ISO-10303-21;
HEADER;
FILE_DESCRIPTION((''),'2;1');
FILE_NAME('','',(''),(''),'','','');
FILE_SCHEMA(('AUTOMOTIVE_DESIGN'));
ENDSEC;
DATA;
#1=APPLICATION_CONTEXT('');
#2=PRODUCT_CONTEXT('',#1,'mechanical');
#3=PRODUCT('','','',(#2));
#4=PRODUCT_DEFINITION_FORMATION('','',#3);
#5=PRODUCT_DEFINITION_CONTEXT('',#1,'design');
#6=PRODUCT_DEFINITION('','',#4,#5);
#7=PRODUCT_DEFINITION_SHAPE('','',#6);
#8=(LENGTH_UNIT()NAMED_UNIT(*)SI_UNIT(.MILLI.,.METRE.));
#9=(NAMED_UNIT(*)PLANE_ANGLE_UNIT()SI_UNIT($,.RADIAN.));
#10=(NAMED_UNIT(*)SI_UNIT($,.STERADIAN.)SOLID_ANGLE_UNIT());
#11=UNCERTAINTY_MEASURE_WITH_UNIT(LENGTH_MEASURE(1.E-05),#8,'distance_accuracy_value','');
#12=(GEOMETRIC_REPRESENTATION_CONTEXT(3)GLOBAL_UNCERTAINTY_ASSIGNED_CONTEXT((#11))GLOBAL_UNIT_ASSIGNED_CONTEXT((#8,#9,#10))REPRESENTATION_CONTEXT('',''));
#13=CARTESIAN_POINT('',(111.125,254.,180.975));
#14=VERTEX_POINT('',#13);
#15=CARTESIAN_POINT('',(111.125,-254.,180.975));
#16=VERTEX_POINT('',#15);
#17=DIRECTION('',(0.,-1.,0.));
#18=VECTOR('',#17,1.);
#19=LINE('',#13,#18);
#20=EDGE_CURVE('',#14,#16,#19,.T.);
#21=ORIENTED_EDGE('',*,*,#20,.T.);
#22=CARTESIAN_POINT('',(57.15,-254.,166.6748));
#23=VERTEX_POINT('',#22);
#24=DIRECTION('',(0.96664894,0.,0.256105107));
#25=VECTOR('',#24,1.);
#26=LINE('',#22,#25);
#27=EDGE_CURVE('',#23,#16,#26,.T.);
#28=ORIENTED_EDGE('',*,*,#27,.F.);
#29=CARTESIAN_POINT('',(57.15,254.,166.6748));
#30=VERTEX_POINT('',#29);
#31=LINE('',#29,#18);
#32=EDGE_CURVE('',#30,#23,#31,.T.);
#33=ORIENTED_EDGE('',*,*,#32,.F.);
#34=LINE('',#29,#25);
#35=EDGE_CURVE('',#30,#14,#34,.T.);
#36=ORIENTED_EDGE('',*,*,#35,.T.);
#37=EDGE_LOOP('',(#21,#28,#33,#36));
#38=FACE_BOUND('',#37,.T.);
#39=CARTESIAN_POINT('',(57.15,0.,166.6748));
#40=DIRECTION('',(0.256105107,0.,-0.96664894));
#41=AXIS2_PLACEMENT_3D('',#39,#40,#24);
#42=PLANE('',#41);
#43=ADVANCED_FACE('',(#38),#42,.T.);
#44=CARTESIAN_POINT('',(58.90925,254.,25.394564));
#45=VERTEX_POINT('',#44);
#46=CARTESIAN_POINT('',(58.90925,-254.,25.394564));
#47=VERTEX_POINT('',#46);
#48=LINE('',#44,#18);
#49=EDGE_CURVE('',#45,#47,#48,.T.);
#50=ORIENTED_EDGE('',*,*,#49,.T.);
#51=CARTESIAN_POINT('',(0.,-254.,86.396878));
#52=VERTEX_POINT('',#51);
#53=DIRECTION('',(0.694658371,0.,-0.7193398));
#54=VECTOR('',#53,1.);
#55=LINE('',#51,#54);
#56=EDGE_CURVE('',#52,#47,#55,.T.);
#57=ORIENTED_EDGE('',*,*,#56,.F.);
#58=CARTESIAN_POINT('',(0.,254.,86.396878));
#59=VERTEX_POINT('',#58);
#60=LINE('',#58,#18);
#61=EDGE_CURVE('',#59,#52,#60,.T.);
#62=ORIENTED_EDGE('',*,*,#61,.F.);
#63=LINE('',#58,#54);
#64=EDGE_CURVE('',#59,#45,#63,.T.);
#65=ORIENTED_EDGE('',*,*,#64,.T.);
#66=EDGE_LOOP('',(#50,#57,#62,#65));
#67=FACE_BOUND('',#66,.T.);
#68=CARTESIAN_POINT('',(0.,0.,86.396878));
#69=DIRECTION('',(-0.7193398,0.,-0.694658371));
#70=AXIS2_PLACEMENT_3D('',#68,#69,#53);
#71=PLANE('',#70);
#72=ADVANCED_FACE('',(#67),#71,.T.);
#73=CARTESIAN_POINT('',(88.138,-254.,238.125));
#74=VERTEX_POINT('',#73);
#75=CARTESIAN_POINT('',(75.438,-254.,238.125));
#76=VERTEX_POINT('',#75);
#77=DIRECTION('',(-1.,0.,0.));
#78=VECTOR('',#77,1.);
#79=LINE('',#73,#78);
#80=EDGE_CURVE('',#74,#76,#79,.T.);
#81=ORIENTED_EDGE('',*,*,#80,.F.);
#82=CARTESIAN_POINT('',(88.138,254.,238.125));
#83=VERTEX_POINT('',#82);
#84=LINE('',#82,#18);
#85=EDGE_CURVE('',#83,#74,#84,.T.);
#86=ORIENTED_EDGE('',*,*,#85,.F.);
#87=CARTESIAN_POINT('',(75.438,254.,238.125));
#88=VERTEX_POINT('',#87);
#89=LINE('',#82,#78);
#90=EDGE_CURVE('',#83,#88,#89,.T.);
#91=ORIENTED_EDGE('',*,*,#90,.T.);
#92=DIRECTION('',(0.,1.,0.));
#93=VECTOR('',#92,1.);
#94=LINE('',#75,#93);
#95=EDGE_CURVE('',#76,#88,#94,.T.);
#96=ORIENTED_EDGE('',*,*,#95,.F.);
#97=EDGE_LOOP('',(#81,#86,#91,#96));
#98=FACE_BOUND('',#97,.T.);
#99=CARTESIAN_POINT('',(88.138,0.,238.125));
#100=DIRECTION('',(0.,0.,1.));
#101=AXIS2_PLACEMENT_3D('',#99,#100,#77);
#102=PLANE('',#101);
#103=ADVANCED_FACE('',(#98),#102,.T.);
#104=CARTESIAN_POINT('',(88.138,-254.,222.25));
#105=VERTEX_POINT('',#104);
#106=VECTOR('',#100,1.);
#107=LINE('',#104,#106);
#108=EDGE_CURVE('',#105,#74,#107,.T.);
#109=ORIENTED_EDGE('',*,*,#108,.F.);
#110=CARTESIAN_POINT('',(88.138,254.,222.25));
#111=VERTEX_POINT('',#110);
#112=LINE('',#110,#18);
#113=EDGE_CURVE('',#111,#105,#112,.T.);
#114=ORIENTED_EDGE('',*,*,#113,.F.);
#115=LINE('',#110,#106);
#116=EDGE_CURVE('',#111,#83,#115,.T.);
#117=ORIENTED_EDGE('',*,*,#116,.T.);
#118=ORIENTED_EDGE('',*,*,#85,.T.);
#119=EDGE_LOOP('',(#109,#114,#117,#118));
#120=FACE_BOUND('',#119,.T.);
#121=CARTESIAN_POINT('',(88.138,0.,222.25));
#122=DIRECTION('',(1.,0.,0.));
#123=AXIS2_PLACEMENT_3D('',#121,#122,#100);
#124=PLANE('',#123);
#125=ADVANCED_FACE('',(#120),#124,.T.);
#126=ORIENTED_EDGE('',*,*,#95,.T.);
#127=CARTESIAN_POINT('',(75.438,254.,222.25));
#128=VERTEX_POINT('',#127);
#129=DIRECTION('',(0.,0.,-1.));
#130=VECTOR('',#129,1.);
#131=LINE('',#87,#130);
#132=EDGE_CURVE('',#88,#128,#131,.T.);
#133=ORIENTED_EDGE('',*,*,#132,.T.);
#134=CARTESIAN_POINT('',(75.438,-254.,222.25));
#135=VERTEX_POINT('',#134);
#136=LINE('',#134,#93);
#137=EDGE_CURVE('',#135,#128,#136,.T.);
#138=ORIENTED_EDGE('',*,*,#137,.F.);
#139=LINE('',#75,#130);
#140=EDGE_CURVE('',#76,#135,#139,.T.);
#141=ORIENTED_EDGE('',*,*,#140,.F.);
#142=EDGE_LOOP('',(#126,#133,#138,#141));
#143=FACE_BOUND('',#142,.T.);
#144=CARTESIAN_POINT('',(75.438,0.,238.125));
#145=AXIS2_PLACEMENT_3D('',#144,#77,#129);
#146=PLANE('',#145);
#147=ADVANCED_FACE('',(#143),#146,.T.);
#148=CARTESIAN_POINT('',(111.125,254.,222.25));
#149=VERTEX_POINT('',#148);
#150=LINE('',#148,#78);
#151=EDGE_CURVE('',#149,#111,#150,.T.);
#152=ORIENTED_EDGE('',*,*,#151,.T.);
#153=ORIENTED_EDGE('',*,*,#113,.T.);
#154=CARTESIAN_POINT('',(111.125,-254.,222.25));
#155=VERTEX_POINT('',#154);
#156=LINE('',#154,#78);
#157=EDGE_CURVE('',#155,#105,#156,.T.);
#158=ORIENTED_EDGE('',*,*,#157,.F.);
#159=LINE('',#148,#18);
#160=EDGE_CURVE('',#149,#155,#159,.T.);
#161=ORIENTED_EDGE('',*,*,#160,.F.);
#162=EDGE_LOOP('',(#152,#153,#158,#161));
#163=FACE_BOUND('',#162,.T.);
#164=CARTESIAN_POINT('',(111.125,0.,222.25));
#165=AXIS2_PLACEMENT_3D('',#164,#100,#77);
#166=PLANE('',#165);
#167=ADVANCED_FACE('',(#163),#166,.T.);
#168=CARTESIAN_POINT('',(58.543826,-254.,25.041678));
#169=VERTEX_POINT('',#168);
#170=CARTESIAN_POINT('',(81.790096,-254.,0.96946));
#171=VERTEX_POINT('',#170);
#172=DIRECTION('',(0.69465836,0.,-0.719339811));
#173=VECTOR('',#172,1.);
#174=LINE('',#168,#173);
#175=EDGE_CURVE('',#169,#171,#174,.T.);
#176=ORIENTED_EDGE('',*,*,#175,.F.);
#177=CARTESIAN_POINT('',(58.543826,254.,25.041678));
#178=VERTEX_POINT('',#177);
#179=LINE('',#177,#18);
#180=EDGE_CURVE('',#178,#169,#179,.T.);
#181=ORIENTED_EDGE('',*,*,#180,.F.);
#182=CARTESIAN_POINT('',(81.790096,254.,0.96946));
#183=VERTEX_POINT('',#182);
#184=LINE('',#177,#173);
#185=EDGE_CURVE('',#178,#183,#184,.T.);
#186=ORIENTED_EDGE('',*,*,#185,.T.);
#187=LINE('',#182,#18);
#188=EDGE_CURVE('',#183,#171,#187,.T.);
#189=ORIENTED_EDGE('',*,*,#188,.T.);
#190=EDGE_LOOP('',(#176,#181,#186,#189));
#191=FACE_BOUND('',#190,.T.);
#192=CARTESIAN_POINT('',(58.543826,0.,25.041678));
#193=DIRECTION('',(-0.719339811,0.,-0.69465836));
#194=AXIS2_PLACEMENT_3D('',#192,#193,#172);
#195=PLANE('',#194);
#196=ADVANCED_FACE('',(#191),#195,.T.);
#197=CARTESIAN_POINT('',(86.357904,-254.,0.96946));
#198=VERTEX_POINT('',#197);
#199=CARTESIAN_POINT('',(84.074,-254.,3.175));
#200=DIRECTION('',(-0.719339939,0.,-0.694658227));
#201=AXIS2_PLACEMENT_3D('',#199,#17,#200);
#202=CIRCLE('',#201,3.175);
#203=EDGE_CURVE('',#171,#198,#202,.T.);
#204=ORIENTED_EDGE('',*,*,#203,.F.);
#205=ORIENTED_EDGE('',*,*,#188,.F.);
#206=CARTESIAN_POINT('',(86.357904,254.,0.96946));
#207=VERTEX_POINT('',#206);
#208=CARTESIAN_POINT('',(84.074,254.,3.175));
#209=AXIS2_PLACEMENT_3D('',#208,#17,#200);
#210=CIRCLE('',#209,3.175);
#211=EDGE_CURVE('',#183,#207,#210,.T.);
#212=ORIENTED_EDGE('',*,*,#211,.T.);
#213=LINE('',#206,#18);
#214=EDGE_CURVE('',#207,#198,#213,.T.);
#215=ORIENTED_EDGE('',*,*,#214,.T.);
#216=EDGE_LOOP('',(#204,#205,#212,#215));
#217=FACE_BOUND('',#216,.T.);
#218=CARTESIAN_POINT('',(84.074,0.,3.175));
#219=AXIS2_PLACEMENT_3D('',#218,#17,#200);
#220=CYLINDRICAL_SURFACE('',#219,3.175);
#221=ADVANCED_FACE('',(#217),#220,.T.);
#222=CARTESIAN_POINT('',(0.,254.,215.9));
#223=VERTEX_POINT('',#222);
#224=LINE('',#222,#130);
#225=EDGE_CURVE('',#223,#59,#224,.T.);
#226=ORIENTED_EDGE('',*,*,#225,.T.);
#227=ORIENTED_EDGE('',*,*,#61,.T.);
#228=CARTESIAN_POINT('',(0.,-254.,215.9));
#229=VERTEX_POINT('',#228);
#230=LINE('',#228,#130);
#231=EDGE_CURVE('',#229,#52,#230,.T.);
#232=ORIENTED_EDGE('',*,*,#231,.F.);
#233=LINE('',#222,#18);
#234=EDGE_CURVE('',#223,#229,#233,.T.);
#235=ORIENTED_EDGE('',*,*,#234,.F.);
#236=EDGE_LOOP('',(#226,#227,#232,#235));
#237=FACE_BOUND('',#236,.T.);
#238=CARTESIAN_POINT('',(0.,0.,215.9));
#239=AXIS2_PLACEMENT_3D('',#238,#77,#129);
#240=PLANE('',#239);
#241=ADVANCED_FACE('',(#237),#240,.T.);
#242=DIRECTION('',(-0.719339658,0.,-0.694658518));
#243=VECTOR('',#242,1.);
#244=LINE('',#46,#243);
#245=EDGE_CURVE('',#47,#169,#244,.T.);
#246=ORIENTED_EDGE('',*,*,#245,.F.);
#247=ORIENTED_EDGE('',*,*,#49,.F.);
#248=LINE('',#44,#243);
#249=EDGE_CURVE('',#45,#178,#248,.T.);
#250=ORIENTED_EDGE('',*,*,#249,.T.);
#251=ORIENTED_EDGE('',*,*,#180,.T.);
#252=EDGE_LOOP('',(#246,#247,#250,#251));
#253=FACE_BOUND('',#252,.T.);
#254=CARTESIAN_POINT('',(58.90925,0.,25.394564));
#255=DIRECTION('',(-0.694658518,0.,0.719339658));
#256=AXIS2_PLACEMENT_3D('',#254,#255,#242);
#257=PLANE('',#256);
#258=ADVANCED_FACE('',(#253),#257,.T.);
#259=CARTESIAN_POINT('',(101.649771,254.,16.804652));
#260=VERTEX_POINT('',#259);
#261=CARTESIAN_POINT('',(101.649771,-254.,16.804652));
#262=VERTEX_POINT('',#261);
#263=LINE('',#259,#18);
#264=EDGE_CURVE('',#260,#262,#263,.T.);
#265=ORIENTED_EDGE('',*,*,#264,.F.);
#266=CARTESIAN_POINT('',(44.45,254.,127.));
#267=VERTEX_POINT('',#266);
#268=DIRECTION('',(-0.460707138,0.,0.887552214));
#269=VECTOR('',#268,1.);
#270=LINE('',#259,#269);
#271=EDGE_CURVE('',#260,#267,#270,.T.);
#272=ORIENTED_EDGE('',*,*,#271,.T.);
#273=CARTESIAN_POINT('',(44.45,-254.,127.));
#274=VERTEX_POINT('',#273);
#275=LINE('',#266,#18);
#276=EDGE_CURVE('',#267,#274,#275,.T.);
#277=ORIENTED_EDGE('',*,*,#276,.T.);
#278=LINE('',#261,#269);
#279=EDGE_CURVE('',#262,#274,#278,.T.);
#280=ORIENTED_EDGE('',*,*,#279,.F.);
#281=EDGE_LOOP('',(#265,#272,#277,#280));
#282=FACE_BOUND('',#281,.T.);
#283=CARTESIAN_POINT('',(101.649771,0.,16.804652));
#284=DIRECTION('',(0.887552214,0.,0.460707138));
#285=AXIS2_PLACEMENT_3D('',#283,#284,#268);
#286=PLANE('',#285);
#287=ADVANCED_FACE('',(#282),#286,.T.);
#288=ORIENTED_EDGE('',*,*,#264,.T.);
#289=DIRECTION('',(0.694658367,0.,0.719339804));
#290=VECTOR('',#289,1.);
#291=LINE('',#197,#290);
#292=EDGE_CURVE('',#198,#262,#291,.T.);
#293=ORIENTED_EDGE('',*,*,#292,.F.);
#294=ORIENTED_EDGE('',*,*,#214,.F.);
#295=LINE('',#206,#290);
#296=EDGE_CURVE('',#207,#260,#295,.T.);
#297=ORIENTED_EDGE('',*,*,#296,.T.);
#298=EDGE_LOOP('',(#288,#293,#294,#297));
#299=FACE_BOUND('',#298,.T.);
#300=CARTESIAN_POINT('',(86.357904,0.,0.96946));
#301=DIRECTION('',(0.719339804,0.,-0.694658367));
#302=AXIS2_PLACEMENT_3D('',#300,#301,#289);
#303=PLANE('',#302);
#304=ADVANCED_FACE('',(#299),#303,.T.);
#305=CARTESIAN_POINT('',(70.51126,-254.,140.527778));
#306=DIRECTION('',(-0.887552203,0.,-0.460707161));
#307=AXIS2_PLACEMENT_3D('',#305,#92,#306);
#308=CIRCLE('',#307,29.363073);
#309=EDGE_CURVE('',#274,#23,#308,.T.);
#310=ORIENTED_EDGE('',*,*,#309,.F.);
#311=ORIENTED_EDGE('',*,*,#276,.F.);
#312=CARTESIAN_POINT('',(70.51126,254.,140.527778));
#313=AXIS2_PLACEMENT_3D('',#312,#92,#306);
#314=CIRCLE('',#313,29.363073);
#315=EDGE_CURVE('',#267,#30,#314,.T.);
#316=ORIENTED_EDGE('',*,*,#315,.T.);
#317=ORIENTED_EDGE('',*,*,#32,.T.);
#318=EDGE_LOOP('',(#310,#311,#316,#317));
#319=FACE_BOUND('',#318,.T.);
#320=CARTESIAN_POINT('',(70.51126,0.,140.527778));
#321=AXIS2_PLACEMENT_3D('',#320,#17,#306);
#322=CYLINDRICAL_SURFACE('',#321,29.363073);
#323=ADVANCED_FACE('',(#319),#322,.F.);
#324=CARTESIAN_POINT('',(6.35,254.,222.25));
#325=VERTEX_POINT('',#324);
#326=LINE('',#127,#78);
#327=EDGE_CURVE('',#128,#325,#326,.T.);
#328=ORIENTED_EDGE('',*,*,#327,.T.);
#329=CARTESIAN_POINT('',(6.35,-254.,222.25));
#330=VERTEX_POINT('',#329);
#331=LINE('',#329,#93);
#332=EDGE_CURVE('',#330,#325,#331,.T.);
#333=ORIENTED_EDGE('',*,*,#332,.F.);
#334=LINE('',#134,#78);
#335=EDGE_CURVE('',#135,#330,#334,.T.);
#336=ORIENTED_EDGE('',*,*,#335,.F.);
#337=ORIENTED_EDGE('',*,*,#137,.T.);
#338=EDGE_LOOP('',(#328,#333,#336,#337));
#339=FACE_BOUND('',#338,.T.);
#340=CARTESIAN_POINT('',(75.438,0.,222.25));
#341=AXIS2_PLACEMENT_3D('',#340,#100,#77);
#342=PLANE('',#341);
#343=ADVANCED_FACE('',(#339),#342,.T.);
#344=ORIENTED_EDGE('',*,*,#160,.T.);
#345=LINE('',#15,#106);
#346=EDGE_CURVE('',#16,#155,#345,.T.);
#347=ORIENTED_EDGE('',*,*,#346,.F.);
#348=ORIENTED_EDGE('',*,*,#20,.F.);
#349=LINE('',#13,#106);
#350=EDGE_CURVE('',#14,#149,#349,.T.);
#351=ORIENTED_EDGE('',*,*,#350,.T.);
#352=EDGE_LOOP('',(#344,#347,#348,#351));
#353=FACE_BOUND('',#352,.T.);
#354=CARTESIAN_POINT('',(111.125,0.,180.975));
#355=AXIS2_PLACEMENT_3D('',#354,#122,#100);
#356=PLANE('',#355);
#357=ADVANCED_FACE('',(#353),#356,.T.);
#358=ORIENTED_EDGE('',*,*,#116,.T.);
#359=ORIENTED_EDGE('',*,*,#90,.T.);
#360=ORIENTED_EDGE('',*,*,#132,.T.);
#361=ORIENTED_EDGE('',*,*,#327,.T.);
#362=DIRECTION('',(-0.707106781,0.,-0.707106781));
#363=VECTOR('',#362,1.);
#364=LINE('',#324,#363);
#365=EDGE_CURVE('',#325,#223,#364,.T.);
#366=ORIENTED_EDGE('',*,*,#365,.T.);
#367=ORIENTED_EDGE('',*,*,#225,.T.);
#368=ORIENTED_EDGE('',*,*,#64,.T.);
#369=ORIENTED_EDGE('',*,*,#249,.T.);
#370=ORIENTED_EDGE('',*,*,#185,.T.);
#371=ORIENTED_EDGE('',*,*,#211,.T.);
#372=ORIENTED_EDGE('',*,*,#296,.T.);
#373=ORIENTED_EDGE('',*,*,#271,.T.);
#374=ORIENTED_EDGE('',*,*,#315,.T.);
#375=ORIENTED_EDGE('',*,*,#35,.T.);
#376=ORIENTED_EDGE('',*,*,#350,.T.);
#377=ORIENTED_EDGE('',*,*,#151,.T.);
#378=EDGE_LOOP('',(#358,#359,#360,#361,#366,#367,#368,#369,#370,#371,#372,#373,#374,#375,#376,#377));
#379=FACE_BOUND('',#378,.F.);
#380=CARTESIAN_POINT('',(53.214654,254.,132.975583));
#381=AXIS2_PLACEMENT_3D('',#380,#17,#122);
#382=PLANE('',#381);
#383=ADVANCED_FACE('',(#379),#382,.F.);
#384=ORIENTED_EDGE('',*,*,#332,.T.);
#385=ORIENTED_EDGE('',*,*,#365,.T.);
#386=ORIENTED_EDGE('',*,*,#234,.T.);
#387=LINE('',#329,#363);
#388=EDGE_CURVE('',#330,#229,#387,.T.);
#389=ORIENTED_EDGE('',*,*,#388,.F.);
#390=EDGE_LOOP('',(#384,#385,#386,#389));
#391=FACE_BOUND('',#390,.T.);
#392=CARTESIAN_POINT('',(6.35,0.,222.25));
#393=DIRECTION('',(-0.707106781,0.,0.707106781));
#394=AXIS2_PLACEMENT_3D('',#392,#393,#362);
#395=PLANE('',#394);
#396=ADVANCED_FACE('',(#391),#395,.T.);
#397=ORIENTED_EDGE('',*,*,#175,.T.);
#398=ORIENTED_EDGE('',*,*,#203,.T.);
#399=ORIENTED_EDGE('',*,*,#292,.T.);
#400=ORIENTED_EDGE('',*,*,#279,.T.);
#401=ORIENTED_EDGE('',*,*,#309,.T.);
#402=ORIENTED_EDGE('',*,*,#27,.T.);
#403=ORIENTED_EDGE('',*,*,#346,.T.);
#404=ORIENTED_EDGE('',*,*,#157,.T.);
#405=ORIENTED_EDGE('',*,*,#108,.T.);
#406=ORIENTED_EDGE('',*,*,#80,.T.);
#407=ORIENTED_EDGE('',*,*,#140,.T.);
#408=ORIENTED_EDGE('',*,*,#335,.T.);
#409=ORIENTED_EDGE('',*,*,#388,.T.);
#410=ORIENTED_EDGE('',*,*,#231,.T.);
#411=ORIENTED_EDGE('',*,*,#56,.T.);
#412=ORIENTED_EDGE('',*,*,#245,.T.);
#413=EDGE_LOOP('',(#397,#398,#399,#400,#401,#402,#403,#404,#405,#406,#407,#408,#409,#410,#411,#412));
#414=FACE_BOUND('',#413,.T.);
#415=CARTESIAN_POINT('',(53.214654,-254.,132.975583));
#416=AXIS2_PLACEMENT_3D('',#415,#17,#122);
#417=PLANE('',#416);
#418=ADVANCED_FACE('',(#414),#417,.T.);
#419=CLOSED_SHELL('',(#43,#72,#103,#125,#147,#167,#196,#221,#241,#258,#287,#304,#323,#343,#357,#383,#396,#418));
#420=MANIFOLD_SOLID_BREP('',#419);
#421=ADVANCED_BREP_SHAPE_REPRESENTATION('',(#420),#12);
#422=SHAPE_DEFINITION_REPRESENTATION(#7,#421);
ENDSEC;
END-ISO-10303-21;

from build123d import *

# Parameters (mm, degrees)
F1_DEPTH      = 254
F1_DEPTH_BACK = 254


with BuildPart() as f1:
    # F0 (on Front) → F1 (new body, two sides)
    with BuildSketch(Plane.XZ) as f1_sk:
        with BuildLine():
            Line((6.35, 222.25), (0, 215.9))
            Line((0, 215.9), (0, 86.396878))
            Line((0, 86.396878), (58.90925, 25.394564))
            Line((58.90925, 25.394564), (58.543826, 25.041678))
            Line((58.543826, 25.041678), (81.790096, 0.96946))
            ThreePointArc((81.790096, 0.96946), (84.074, 0), (86.357904, 0.96946))
            Line((86.357904, 0.96946), (101.649771, 16.804652))
            Line((101.649771, 16.804652), (44.45, 127))
            ThreePointArc((44.45, 127), (42.545992, 149.479528), (57.15, 166.6748))
            Line((57.15, 166.6748), (111.125, 180.975))
            Line((111.125, 180.975), (111.125, 222.25))
            Line((111.125, 222.25), (88.138, 222.25))
            Line((88.138, 222.25), (88.138, 238.125))
            Line((88.138, 238.125), (75.438, 238.125))
            Line((75.438, 238.125), (75.438, 222.25))
            Line((75.438, 222.25), (6.35, 222.25))
        make_face()
    extrude(amount=F1_DEPTH)
    extrude(f1_sk.sketch, amount=-F1_DEPTH_BACK)


solid = f1.part
